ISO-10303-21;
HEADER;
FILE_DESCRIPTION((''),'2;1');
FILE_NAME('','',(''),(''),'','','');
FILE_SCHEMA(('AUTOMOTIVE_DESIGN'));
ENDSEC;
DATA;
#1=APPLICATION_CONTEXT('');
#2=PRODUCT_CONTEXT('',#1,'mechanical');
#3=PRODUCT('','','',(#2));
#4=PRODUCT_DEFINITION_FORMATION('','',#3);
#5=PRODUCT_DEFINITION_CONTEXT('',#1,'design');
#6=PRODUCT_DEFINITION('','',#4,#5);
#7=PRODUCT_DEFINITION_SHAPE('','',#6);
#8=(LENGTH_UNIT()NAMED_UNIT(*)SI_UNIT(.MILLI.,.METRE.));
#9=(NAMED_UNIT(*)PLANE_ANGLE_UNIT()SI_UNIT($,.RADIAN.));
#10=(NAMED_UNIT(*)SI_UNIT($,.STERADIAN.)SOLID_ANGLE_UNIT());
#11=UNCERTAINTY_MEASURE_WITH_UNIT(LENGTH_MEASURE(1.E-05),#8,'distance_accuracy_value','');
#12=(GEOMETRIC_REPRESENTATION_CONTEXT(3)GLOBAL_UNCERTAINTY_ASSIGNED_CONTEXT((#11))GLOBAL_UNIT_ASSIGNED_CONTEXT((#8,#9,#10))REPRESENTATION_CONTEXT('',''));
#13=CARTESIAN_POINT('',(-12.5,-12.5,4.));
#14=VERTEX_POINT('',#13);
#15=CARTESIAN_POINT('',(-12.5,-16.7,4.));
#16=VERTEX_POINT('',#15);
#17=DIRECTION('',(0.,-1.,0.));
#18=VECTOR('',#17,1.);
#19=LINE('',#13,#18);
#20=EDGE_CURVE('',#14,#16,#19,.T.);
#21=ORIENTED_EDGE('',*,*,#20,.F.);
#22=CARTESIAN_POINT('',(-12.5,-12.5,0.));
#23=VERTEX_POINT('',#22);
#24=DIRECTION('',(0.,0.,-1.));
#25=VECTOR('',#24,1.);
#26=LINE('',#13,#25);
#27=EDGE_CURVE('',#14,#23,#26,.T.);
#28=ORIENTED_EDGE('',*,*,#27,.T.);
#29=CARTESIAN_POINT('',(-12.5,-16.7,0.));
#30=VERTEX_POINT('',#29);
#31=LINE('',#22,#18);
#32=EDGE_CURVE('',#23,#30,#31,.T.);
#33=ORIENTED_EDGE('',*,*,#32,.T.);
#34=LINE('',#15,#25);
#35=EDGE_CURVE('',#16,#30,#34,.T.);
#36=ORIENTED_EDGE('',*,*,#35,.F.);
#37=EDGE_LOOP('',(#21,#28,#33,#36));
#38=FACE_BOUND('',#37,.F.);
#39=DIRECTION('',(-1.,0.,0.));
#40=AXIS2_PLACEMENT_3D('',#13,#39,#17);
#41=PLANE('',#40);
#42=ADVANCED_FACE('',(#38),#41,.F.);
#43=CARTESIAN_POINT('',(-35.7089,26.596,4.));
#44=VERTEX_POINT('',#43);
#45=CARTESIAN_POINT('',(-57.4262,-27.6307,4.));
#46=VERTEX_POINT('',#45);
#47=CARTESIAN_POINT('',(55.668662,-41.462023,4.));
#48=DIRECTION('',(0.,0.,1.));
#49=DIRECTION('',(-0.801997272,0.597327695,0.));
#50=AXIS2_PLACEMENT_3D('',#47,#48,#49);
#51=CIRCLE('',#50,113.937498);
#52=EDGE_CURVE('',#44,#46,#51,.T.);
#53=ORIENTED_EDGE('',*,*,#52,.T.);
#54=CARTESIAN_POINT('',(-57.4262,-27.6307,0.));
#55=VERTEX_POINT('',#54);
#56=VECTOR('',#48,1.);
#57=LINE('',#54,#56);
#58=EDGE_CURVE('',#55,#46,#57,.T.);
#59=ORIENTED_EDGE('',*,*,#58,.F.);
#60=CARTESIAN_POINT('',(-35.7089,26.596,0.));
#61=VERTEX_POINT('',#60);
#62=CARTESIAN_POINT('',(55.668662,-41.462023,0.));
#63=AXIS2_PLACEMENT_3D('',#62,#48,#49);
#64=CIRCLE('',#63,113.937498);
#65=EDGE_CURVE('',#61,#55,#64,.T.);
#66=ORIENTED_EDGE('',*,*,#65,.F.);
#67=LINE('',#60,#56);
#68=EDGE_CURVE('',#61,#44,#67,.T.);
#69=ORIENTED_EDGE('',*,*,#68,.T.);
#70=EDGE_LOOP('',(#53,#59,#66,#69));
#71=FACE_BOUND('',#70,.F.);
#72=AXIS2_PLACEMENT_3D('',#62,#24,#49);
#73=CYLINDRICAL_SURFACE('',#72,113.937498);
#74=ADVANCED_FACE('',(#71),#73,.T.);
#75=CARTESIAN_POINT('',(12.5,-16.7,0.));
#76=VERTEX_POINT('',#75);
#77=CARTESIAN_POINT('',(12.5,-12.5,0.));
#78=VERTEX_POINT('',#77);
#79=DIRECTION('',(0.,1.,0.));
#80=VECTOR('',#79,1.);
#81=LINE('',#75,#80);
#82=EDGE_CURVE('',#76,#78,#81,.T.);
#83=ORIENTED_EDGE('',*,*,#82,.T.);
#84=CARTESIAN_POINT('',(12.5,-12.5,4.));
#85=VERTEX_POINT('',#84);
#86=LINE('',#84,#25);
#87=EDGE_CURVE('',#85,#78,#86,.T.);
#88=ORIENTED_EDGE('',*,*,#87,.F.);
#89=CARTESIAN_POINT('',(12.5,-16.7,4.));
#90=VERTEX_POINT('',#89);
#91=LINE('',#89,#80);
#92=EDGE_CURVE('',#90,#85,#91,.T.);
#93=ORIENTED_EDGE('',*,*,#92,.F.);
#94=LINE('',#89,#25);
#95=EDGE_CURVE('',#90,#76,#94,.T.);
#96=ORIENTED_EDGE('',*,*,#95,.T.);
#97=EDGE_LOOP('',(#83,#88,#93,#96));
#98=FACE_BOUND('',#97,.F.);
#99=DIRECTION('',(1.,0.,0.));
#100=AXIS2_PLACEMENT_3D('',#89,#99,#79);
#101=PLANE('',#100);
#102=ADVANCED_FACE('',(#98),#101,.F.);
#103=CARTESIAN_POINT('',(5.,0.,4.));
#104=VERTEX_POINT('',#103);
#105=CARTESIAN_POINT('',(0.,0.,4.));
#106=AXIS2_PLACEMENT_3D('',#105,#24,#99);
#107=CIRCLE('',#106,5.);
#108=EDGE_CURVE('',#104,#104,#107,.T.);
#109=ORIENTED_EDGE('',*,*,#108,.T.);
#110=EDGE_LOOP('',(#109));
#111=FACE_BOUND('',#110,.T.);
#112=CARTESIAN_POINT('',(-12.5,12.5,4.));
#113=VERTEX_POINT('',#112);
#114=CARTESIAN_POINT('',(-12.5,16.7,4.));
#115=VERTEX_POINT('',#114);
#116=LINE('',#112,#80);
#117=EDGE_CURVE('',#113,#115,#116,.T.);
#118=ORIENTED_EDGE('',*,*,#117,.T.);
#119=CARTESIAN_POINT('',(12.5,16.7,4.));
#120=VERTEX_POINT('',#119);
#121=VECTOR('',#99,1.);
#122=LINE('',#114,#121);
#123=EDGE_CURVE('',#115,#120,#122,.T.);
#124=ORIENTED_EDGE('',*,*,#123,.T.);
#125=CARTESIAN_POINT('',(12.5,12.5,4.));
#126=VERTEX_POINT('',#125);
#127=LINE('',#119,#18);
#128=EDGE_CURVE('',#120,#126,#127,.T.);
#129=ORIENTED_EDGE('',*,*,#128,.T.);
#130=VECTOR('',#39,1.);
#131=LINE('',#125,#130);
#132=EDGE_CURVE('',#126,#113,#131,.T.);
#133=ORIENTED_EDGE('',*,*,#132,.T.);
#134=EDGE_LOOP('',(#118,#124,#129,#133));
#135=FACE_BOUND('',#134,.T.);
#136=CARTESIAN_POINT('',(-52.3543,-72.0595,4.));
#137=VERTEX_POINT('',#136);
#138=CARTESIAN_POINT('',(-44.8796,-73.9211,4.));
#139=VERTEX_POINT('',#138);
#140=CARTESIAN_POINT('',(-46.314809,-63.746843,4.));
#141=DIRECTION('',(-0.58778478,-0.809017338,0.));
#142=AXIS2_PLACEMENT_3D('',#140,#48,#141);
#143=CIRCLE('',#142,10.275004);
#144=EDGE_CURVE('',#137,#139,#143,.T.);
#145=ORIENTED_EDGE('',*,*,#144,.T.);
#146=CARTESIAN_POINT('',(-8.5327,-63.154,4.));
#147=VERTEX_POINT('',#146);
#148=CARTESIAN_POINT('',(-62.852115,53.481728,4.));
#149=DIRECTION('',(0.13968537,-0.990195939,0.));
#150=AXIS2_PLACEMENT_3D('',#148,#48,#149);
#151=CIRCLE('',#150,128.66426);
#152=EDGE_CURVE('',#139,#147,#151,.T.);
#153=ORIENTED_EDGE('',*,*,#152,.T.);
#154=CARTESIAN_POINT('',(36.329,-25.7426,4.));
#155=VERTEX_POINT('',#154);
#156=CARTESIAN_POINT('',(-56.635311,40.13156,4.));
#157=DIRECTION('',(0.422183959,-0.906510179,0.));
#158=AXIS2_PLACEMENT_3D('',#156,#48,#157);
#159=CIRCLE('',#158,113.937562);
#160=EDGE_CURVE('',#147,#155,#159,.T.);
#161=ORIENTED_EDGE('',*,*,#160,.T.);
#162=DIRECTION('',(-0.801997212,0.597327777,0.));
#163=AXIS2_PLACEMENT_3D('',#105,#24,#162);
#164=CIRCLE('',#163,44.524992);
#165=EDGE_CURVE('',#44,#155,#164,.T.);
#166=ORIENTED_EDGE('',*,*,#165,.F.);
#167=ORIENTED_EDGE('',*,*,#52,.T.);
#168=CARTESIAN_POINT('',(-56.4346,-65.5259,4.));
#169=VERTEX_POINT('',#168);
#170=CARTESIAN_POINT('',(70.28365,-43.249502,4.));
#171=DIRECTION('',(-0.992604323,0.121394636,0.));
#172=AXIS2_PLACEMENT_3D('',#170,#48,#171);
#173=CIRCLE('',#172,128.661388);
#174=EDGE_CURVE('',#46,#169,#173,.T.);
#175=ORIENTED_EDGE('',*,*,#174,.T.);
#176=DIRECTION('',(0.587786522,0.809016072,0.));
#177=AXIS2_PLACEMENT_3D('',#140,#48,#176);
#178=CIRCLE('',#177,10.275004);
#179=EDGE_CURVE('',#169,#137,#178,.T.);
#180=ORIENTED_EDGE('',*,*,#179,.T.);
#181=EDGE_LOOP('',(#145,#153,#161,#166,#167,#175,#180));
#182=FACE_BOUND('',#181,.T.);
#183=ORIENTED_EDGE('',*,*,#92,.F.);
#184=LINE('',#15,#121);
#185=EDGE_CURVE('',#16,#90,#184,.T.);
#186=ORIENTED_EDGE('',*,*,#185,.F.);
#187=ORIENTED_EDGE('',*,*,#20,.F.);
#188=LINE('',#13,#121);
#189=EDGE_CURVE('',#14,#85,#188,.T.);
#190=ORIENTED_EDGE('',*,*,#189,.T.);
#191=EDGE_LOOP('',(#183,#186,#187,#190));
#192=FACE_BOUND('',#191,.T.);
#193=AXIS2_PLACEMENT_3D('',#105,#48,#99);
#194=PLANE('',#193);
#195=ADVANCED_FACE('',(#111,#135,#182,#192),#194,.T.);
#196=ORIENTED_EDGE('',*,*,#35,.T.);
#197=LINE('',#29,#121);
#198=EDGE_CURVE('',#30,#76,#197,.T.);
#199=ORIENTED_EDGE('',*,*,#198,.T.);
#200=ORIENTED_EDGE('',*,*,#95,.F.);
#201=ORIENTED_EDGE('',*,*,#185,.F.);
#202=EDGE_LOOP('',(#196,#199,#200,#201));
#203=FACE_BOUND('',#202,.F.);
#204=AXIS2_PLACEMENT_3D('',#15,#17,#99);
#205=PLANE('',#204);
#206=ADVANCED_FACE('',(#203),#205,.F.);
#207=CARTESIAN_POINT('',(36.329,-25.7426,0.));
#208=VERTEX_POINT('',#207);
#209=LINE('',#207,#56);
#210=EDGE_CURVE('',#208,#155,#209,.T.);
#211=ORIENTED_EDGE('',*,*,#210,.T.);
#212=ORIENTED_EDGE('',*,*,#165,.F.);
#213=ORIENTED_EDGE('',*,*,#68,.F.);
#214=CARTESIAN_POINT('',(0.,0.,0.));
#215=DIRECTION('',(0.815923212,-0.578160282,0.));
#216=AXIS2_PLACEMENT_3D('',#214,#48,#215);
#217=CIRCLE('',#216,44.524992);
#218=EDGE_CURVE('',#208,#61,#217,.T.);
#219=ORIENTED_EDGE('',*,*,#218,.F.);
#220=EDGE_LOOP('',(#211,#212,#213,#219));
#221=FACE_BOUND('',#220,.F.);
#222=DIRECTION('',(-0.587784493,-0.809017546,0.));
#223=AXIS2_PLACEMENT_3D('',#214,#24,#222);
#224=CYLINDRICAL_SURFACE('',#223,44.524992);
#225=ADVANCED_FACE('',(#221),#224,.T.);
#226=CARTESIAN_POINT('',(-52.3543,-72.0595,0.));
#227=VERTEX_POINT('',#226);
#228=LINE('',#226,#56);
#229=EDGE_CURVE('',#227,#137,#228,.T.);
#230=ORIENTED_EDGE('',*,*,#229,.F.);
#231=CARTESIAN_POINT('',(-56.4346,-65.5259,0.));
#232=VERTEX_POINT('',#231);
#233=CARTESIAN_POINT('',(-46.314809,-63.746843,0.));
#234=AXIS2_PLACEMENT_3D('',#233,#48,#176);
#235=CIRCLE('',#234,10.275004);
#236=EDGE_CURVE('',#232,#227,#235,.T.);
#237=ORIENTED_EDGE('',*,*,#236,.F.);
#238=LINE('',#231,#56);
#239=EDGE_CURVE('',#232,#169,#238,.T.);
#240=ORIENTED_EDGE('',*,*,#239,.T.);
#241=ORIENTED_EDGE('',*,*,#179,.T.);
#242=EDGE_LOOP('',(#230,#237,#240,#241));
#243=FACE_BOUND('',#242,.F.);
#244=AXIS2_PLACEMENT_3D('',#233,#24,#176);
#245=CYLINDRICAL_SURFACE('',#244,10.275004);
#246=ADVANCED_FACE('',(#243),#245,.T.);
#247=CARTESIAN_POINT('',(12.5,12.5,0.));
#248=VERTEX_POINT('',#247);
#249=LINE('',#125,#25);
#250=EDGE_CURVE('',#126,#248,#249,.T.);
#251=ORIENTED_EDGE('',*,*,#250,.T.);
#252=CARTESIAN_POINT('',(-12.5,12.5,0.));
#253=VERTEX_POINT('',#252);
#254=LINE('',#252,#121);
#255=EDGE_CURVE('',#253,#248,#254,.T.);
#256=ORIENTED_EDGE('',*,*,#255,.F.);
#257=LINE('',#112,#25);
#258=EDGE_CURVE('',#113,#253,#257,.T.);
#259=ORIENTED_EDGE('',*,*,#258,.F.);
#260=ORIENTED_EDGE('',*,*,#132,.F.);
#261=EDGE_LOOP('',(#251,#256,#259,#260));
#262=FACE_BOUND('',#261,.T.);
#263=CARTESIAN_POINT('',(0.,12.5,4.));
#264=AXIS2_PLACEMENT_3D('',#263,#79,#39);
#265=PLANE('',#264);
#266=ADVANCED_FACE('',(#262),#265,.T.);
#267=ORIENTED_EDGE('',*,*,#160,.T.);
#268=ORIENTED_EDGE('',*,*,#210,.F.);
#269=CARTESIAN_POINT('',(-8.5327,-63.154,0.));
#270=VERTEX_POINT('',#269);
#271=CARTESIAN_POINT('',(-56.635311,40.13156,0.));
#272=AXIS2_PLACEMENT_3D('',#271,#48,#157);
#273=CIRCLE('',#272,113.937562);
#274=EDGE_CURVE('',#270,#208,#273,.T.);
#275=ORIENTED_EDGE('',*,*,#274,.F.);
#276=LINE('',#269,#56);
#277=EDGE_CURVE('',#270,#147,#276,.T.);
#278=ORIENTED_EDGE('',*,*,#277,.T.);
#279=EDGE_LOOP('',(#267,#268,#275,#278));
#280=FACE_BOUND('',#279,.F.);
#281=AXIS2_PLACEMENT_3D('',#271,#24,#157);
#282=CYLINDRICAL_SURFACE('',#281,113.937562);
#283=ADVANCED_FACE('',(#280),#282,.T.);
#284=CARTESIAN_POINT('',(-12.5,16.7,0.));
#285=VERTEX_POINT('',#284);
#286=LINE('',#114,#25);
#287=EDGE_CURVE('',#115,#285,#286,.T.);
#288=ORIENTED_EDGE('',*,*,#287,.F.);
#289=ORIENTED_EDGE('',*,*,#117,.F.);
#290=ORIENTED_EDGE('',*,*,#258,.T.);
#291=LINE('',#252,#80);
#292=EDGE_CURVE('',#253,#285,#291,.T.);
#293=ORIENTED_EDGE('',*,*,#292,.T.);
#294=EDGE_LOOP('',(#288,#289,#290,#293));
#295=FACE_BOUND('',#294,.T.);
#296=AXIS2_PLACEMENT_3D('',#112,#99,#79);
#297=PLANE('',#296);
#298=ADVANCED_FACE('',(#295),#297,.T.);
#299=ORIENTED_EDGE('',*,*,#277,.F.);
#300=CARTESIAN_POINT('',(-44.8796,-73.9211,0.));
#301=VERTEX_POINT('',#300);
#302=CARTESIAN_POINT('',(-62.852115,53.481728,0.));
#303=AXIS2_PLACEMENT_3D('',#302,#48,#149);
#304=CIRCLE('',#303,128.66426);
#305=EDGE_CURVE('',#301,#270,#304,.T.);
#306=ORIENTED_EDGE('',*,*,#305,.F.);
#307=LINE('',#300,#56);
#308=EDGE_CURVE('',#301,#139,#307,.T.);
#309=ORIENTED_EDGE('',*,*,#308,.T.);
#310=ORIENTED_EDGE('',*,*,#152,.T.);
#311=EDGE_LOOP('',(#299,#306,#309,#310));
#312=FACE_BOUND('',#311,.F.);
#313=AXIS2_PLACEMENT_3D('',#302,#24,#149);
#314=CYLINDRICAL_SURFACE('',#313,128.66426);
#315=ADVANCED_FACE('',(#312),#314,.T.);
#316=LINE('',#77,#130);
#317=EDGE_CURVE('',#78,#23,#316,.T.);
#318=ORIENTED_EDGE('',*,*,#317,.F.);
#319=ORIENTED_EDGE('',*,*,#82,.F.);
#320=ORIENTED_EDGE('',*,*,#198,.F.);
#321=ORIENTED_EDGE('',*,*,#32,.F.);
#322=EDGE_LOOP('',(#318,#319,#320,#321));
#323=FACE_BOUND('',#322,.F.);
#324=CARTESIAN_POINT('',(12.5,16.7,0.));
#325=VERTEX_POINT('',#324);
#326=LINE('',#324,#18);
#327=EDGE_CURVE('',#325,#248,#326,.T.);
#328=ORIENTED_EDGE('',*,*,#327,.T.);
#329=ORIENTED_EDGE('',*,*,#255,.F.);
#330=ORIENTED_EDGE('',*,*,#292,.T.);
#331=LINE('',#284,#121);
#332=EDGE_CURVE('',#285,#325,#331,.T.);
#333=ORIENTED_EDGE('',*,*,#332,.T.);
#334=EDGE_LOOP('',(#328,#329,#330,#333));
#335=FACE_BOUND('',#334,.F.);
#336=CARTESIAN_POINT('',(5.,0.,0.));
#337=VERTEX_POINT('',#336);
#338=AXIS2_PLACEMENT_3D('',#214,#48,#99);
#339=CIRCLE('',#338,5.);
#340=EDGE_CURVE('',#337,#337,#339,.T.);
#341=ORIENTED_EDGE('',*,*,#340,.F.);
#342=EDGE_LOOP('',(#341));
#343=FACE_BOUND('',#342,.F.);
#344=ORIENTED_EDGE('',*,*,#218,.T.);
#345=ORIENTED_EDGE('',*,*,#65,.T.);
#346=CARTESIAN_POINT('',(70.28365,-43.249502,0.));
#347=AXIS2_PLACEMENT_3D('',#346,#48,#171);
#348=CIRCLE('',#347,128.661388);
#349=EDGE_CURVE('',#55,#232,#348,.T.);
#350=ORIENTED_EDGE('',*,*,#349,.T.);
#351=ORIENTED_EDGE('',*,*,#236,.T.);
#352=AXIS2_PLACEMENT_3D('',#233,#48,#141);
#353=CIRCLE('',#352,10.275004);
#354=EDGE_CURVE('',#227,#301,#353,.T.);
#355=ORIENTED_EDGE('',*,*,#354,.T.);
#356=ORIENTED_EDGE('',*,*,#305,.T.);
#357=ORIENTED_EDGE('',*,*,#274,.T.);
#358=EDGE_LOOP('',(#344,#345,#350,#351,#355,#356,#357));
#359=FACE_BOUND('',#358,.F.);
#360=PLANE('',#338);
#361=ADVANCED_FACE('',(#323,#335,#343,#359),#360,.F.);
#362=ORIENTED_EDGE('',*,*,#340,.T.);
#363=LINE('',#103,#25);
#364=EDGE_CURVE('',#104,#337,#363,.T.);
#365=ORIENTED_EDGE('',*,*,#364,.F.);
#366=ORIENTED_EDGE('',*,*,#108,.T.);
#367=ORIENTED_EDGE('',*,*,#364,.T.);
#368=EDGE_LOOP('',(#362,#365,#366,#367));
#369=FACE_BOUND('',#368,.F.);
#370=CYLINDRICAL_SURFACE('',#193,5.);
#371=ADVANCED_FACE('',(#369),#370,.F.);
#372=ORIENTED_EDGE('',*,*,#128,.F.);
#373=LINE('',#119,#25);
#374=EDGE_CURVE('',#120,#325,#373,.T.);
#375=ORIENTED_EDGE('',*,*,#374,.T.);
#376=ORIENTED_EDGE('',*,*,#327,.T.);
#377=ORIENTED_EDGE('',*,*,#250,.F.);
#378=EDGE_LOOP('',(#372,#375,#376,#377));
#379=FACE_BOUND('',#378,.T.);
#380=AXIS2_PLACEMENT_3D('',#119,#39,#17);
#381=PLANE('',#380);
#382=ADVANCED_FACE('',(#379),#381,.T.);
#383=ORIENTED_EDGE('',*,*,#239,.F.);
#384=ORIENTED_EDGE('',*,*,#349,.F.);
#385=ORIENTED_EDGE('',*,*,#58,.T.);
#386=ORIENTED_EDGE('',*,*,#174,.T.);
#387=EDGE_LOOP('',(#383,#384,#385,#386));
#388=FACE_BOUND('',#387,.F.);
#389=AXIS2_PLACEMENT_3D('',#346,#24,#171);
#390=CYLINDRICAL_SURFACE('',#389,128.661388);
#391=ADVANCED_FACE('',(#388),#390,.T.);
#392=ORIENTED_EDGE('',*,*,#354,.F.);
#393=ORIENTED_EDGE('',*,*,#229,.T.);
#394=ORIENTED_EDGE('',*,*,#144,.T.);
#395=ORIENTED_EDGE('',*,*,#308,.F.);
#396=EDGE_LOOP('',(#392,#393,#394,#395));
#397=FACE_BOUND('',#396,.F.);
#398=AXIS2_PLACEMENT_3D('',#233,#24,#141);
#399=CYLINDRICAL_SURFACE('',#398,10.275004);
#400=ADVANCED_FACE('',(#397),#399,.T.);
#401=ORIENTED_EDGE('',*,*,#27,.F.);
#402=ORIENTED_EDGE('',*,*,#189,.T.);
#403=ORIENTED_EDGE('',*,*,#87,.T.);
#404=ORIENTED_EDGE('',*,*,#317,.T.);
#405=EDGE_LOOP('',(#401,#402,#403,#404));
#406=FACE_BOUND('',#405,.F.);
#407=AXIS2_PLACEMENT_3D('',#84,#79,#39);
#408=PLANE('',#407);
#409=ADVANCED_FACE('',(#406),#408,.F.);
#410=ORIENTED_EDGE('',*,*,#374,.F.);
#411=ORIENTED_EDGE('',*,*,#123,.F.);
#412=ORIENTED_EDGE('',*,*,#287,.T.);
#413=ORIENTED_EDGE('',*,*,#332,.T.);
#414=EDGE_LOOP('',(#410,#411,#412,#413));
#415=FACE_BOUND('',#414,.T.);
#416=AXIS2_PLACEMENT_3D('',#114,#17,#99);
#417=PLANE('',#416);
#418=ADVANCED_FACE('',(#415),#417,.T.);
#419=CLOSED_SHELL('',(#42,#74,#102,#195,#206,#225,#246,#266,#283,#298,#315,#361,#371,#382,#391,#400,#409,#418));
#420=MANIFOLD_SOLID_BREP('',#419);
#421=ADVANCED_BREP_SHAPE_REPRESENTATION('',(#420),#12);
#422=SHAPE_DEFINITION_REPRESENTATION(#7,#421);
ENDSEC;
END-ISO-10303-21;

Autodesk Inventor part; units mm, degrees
ref_plane "YZ Plane" through (0, 0, 0) normal (1, 0, 0) x (0, 1, 0)
ref_plane "XZ Plane" through (0, 0, 0) normal (0, 1, 0) x (-1, 0, 0)
ref_plane "XY Plane" through (0, 0, 0) normal (0, 0, 1) x (1, 0, 0)
sketch "Boceto1" plane through (0, 0, 0) normal (0, 0, 1) x (1, 0, 0)
  arc A0 (26.1711, 36.0215) -> (-26.1711, -36.0215) centre (0, 0) ccw
  arc A1 (-40.2753, -55.4342) -> (-52.3543, -72.0595) centre (-46.3148, -63.7469) ccw
  line L0 (-54.1029, -74.4662) -> (-62.4155, -68.4268)
  line L1 (-35.7089, 26.596) -> (-49.5634, 36.6618)
  line L2 (-49.5634, 36.6618) -> (-62.4155, -68.4268)
  line L3 (-62.4155, -68.4268) -> (-57.4262, -27.6307)
  arc A2 (-35.7089, 26.596) -> (-57.4262, -27.6307) centre (55.6688, -41.4621) ccw
  arc A3 (-57.4262, -27.6307) -> (-56.4346, -65.5259) centre (70.2836, -43.2495) ccw
  line L4 (2.0132, 2.7709) -> (26.1711, 36.0215)
  line L5 (-2.0132, -2.7709) -> (-54.1029, -74.4662)
  arc A4 (-26.1711, -36.0215) -> (26.1711, 36.0215) centre (0, 0) ccw
  arc A5 (-52.3543, -72.0595) -> (-40.2753, -55.4342) centre (-46.3148, -63.7469) ccw
  line L6 (-54.1029, -74.4662) -> (-45.7902, -80.5057)
  line L7 (36.329, -25.7426) -> (50.1834, -35.8084)
  line L8 (50.1834, -35.8084) -> (-45.7902, -80.5057)
  line L9 (-45.7902, -80.5057) -> (-8.5327, -63.154)
  arc A6 (-8.5327, -63.154) -> (36.329, -25.7426) centre (-56.6354, 40.1317) ccw
  arc A7 (-44.8796, -73.9211) -> (-8.5327, -63.154) centre (-62.8515, 53.4789) ccw
  dimension "d0" = 89.05
  dimension "d6" = 20.55
  dimension "d7" = 10.275
  dimension "d8" = 17.125
  dimension "d9" = 41.1
extrude "Extrusión2" add sketch "Boceto1" along normal blind 4 contours A4 A0 | A0 L5 A1 A3 A2 | A6 A7 A5 L5 A4 | L5 A1 | A5 L5
sketch "Boceto2" plane through (0, 0, 4) normal (0, 0, 1) x (1, 0, 0)
  line L0 (0, 0) -> (0, 12.5)
  line L1 (0, 12.5) -> (-12.5, 12.5)
  line L2 (-12.5, 12.5) -> (-12.5, 16.7)
  line L3 (-12.5, 16.7) -> (12.5, 16.7)
  line L4 (12.5, 16.7) -> (12.5, 12.5)
  line L5 (12.5, 12.5) -> (0, 12.5)
  line L6 (0, 0) -> (12.5, 0)
  line L7 (0, 0) -> (0, -12.5)
  line L8 (0, -12.5) -> (-12.5, -12.5)
  line L9 (-12.5, -12.5) -> (-12.5, -16.7)
  line L10 (-12.5, -16.7) -> (12.5, -16.7)
  line L11 (12.5, -16.7) -> (12.5, -12.5)
  line L12 (12.5, -12.5) -> (0, -12.5)
  circle A0 centre (0, 0) radius 5
  dimension "d24" = 12.5
  dimension "d25" = 12.5
  dimension "d26" = 4.2
  dimension "d27" = 25
  dimension "d28" = 10
extrude "Extrusión3" cut sketch "Boceto2" against normal blind 4
properties part number "leva00" material "Madera (abedul)"
